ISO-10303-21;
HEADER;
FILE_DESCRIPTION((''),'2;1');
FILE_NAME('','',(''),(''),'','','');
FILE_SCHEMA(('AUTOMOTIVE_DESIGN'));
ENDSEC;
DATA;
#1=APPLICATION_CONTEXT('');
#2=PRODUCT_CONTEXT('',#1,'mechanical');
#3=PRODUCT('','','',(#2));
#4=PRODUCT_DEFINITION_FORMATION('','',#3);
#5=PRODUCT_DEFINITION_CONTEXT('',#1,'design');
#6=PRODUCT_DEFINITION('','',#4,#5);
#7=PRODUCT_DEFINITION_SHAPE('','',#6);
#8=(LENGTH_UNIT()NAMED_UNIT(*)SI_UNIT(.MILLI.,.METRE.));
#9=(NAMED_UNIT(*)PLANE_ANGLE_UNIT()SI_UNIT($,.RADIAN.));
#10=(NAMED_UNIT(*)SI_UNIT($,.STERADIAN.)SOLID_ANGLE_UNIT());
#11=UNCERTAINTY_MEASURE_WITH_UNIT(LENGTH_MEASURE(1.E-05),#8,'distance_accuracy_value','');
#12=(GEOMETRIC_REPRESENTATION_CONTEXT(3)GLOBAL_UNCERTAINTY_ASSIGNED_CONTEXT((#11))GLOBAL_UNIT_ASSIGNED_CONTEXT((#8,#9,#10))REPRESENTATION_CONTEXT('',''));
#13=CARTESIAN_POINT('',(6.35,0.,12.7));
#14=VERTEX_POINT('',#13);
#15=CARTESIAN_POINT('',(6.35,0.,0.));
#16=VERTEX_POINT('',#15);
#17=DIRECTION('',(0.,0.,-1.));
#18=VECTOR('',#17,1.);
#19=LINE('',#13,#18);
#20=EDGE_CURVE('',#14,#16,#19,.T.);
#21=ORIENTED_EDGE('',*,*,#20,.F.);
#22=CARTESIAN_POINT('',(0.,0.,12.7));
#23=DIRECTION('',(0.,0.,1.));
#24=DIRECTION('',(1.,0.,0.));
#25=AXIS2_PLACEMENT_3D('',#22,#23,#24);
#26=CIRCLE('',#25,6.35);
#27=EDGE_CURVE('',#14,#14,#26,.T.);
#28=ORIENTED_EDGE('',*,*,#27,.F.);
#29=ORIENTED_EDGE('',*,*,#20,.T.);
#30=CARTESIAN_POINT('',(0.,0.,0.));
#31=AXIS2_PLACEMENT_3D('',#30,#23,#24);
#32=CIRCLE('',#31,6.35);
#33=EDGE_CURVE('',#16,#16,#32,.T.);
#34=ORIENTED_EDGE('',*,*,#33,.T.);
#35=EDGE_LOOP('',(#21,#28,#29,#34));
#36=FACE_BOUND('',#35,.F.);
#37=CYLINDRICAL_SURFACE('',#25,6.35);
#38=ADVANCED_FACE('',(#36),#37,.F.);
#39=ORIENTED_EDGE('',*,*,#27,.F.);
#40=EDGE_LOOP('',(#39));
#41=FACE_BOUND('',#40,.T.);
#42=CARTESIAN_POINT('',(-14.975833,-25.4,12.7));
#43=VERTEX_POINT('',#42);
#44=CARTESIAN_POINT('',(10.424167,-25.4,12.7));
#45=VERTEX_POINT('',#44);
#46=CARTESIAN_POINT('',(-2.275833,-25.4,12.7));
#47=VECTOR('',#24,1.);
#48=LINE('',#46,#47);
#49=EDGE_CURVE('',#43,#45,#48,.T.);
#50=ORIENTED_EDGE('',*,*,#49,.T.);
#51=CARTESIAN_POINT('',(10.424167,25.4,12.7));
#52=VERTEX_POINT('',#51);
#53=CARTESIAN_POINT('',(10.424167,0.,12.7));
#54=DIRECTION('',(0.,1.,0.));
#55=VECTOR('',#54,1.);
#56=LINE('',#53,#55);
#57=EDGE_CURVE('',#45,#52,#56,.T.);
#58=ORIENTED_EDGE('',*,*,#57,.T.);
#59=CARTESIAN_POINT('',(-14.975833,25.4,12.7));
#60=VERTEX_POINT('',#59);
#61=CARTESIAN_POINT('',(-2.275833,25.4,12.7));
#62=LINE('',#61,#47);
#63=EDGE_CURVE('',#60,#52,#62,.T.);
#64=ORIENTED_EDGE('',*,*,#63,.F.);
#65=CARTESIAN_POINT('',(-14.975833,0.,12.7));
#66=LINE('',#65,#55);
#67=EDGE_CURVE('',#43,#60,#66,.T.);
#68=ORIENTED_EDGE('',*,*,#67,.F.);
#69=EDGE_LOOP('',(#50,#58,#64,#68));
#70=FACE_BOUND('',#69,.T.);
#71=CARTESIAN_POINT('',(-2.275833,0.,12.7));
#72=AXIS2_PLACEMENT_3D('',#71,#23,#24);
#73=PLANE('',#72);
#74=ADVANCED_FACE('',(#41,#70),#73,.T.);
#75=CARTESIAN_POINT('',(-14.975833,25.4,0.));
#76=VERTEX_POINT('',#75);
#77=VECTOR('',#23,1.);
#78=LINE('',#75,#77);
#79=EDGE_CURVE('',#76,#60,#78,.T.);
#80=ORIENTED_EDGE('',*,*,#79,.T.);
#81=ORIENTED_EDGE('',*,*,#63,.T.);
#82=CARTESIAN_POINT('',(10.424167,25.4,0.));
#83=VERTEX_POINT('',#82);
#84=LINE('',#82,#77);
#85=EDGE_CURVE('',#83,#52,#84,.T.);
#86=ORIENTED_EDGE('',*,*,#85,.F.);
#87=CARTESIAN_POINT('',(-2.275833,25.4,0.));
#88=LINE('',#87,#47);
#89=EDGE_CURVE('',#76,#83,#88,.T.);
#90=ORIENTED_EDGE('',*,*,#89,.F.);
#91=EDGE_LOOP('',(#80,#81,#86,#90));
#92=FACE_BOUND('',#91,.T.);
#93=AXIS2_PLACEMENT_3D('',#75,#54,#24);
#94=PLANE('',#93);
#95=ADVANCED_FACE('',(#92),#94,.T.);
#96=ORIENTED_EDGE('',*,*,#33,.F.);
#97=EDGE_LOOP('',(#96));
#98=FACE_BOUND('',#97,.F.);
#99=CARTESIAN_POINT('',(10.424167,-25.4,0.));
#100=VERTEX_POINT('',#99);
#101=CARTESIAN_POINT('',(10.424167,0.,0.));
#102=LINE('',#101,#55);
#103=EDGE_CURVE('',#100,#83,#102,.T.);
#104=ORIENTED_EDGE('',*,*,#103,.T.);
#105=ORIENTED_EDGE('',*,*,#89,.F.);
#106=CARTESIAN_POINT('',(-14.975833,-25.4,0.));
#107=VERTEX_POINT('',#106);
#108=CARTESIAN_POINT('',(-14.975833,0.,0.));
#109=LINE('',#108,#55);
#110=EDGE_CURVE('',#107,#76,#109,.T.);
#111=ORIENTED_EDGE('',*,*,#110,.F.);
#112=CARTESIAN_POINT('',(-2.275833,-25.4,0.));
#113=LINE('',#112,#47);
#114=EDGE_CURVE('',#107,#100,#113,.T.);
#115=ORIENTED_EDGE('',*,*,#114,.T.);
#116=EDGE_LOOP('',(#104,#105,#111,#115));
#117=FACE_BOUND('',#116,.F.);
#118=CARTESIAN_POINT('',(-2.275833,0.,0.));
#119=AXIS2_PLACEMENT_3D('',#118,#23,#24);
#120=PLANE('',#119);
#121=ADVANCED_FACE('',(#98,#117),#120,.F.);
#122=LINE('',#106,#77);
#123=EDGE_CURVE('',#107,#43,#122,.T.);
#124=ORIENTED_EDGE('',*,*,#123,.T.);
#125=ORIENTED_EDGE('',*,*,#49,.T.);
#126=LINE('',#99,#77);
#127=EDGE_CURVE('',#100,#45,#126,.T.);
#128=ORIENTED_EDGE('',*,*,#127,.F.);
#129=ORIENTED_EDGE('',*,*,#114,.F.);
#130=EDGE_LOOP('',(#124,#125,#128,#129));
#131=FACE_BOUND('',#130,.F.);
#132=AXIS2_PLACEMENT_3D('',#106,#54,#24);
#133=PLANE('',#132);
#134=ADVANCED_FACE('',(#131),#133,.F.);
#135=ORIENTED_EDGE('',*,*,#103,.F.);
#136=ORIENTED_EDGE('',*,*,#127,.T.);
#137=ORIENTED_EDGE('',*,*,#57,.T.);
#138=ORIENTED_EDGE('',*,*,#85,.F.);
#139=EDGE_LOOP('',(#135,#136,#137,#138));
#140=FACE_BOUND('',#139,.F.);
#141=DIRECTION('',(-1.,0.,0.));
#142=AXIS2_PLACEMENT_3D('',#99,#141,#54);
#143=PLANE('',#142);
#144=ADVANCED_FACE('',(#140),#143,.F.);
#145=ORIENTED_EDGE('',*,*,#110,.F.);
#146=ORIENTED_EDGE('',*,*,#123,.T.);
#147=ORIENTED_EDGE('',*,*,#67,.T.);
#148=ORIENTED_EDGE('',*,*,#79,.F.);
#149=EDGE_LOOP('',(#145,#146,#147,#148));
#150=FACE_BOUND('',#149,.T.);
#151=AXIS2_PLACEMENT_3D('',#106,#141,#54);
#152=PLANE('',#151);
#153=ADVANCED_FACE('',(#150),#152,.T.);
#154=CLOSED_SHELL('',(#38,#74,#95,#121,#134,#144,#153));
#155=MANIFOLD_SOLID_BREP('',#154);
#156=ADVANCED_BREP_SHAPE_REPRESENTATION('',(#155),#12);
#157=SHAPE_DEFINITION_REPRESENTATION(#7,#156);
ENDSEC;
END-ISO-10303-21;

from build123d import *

# Parameters (mm, degrees)
F0_W     = 25.4
F0_H     = 50.8
F1_DEPTH = 12.7
F2_R     = 6.35
F3_DEPTH = 24.384


with BuildPart() as f1:
    # F0 (on Top) → F1 (new body)
    with BuildSketch(Plane.XY):
        with Locations((-2.275833, 0)):
            Rectangle(F0_W, F0_H)
    extrude(amount=F1_DEPTH)

    # F2 (on face) → F3 (cut)
    with BuildSketch(Plane.XY.offset(12.7)):
        Circle(F2_R)
    extrude(amount=-F3_DEPTH, mode=Mode.SUBTRACT)


solid = f1.part
